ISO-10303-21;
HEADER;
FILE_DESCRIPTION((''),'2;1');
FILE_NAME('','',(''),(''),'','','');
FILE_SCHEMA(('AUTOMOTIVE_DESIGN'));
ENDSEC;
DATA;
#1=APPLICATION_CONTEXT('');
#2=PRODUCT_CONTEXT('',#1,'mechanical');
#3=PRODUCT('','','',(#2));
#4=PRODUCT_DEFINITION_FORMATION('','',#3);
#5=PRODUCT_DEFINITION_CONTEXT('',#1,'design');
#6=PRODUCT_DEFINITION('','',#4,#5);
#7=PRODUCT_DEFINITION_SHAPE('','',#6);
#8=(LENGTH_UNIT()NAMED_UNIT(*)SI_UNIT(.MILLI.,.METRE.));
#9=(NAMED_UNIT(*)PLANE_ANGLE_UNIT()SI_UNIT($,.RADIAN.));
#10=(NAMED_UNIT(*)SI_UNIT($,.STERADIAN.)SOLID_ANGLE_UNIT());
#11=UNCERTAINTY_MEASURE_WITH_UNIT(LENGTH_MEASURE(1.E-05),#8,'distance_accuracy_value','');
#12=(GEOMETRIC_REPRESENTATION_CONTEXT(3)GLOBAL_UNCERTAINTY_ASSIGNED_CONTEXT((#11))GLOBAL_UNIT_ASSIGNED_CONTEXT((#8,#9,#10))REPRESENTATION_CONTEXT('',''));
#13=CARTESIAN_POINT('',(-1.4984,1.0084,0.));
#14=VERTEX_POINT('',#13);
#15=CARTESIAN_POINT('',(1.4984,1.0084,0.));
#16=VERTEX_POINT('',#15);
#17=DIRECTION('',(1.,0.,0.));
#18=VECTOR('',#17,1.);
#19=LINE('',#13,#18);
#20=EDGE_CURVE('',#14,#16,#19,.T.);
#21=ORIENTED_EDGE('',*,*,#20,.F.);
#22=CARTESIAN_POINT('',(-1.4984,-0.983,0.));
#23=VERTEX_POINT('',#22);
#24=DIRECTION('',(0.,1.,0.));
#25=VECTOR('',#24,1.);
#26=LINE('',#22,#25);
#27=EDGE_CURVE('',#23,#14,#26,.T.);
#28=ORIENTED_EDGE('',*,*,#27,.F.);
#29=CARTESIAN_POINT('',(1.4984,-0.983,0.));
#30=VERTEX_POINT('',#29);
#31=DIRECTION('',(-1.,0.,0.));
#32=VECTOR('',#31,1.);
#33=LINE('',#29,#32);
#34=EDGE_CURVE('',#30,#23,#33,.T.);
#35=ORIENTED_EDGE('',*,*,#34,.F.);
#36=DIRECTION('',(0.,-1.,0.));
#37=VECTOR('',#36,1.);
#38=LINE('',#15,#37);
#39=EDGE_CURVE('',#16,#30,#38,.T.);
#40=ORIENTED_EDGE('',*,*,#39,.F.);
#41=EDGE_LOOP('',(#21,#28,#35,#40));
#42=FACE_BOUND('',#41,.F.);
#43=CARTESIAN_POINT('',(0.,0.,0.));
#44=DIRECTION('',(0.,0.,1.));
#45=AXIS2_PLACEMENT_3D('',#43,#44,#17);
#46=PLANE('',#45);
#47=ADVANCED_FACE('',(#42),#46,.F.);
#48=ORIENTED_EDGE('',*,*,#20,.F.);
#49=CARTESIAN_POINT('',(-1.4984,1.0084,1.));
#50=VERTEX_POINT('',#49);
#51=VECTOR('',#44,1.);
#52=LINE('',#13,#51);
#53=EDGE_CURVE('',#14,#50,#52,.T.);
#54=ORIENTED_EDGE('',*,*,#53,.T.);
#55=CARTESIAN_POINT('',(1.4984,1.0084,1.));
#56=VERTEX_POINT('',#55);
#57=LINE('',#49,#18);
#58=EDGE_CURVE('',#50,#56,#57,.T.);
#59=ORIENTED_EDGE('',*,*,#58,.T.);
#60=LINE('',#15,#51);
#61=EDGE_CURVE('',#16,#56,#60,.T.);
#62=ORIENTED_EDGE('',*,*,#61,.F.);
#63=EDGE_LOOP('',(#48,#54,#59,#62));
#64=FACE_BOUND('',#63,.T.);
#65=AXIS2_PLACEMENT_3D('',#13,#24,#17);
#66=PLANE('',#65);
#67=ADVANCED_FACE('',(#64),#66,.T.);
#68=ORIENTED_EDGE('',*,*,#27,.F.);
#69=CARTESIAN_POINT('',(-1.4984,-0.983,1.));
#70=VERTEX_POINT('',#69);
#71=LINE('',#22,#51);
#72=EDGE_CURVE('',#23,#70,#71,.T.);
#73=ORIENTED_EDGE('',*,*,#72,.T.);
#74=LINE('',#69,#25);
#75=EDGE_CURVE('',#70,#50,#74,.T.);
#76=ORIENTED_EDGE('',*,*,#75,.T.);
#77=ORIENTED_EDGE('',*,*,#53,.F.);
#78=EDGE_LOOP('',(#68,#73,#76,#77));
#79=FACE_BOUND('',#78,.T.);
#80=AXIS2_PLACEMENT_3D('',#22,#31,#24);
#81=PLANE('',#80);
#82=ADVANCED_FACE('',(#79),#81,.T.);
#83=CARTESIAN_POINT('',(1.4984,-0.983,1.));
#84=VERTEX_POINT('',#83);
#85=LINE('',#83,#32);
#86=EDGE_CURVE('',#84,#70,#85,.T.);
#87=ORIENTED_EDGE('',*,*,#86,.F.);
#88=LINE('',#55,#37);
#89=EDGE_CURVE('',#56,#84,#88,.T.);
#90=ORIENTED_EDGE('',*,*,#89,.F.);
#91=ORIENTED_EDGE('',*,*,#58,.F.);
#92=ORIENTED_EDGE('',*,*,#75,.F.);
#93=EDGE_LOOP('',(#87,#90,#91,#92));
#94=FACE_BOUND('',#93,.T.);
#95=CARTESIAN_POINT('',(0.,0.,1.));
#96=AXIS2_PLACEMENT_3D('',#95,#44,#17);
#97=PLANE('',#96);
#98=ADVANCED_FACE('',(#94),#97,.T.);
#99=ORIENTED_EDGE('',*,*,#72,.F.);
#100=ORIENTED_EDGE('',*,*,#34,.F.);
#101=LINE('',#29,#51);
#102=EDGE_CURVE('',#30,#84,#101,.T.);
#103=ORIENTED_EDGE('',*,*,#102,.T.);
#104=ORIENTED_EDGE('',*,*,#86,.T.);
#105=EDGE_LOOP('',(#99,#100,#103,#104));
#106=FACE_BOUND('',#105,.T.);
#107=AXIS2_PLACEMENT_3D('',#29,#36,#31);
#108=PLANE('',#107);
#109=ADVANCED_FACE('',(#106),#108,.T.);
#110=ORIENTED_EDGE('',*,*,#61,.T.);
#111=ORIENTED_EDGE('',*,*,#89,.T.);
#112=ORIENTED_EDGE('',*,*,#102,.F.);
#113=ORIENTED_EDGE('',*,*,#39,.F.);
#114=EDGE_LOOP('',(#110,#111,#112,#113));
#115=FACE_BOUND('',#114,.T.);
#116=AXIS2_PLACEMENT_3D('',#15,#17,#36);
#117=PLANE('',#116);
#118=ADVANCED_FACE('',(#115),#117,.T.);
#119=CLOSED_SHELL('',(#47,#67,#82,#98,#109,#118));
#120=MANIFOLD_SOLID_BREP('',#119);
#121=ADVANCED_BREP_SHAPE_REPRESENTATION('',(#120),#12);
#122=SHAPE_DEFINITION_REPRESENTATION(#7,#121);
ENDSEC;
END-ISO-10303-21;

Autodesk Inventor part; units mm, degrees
ref_plane "YZ Plane" through (0, 0, 0) normal (1, 0, 0) x (0, 1, 0)
ref_plane "XZ Plane" through (0, 0, 0) normal (0, 1, 0) x (-1, 0, 0)
ref_plane "XY Plane" through (0, 0, 0) normal (0, 0, 1) x (1, 0, 0)
sketch "0603-RES, 1K_39" plane through (0, 0, 0) normal (0, 0, 1) x (1, 0, 0)
  line L0 (-1.4984, 1.0084) -> (1.4984, 1.0084)
  line L1 (1.4984, 1.0084) -> (1.4984, -0.983)
  line L2 (1.4984, -0.983) -> (-1.4984, -0.983)
  line L3 (-1.4984, -0.983) -> (-1.4984, 1.0084)
extrude "Extrusion1" add sketch "0603-RES, 1K_39" along normal blind 1
properties part number "1K"
